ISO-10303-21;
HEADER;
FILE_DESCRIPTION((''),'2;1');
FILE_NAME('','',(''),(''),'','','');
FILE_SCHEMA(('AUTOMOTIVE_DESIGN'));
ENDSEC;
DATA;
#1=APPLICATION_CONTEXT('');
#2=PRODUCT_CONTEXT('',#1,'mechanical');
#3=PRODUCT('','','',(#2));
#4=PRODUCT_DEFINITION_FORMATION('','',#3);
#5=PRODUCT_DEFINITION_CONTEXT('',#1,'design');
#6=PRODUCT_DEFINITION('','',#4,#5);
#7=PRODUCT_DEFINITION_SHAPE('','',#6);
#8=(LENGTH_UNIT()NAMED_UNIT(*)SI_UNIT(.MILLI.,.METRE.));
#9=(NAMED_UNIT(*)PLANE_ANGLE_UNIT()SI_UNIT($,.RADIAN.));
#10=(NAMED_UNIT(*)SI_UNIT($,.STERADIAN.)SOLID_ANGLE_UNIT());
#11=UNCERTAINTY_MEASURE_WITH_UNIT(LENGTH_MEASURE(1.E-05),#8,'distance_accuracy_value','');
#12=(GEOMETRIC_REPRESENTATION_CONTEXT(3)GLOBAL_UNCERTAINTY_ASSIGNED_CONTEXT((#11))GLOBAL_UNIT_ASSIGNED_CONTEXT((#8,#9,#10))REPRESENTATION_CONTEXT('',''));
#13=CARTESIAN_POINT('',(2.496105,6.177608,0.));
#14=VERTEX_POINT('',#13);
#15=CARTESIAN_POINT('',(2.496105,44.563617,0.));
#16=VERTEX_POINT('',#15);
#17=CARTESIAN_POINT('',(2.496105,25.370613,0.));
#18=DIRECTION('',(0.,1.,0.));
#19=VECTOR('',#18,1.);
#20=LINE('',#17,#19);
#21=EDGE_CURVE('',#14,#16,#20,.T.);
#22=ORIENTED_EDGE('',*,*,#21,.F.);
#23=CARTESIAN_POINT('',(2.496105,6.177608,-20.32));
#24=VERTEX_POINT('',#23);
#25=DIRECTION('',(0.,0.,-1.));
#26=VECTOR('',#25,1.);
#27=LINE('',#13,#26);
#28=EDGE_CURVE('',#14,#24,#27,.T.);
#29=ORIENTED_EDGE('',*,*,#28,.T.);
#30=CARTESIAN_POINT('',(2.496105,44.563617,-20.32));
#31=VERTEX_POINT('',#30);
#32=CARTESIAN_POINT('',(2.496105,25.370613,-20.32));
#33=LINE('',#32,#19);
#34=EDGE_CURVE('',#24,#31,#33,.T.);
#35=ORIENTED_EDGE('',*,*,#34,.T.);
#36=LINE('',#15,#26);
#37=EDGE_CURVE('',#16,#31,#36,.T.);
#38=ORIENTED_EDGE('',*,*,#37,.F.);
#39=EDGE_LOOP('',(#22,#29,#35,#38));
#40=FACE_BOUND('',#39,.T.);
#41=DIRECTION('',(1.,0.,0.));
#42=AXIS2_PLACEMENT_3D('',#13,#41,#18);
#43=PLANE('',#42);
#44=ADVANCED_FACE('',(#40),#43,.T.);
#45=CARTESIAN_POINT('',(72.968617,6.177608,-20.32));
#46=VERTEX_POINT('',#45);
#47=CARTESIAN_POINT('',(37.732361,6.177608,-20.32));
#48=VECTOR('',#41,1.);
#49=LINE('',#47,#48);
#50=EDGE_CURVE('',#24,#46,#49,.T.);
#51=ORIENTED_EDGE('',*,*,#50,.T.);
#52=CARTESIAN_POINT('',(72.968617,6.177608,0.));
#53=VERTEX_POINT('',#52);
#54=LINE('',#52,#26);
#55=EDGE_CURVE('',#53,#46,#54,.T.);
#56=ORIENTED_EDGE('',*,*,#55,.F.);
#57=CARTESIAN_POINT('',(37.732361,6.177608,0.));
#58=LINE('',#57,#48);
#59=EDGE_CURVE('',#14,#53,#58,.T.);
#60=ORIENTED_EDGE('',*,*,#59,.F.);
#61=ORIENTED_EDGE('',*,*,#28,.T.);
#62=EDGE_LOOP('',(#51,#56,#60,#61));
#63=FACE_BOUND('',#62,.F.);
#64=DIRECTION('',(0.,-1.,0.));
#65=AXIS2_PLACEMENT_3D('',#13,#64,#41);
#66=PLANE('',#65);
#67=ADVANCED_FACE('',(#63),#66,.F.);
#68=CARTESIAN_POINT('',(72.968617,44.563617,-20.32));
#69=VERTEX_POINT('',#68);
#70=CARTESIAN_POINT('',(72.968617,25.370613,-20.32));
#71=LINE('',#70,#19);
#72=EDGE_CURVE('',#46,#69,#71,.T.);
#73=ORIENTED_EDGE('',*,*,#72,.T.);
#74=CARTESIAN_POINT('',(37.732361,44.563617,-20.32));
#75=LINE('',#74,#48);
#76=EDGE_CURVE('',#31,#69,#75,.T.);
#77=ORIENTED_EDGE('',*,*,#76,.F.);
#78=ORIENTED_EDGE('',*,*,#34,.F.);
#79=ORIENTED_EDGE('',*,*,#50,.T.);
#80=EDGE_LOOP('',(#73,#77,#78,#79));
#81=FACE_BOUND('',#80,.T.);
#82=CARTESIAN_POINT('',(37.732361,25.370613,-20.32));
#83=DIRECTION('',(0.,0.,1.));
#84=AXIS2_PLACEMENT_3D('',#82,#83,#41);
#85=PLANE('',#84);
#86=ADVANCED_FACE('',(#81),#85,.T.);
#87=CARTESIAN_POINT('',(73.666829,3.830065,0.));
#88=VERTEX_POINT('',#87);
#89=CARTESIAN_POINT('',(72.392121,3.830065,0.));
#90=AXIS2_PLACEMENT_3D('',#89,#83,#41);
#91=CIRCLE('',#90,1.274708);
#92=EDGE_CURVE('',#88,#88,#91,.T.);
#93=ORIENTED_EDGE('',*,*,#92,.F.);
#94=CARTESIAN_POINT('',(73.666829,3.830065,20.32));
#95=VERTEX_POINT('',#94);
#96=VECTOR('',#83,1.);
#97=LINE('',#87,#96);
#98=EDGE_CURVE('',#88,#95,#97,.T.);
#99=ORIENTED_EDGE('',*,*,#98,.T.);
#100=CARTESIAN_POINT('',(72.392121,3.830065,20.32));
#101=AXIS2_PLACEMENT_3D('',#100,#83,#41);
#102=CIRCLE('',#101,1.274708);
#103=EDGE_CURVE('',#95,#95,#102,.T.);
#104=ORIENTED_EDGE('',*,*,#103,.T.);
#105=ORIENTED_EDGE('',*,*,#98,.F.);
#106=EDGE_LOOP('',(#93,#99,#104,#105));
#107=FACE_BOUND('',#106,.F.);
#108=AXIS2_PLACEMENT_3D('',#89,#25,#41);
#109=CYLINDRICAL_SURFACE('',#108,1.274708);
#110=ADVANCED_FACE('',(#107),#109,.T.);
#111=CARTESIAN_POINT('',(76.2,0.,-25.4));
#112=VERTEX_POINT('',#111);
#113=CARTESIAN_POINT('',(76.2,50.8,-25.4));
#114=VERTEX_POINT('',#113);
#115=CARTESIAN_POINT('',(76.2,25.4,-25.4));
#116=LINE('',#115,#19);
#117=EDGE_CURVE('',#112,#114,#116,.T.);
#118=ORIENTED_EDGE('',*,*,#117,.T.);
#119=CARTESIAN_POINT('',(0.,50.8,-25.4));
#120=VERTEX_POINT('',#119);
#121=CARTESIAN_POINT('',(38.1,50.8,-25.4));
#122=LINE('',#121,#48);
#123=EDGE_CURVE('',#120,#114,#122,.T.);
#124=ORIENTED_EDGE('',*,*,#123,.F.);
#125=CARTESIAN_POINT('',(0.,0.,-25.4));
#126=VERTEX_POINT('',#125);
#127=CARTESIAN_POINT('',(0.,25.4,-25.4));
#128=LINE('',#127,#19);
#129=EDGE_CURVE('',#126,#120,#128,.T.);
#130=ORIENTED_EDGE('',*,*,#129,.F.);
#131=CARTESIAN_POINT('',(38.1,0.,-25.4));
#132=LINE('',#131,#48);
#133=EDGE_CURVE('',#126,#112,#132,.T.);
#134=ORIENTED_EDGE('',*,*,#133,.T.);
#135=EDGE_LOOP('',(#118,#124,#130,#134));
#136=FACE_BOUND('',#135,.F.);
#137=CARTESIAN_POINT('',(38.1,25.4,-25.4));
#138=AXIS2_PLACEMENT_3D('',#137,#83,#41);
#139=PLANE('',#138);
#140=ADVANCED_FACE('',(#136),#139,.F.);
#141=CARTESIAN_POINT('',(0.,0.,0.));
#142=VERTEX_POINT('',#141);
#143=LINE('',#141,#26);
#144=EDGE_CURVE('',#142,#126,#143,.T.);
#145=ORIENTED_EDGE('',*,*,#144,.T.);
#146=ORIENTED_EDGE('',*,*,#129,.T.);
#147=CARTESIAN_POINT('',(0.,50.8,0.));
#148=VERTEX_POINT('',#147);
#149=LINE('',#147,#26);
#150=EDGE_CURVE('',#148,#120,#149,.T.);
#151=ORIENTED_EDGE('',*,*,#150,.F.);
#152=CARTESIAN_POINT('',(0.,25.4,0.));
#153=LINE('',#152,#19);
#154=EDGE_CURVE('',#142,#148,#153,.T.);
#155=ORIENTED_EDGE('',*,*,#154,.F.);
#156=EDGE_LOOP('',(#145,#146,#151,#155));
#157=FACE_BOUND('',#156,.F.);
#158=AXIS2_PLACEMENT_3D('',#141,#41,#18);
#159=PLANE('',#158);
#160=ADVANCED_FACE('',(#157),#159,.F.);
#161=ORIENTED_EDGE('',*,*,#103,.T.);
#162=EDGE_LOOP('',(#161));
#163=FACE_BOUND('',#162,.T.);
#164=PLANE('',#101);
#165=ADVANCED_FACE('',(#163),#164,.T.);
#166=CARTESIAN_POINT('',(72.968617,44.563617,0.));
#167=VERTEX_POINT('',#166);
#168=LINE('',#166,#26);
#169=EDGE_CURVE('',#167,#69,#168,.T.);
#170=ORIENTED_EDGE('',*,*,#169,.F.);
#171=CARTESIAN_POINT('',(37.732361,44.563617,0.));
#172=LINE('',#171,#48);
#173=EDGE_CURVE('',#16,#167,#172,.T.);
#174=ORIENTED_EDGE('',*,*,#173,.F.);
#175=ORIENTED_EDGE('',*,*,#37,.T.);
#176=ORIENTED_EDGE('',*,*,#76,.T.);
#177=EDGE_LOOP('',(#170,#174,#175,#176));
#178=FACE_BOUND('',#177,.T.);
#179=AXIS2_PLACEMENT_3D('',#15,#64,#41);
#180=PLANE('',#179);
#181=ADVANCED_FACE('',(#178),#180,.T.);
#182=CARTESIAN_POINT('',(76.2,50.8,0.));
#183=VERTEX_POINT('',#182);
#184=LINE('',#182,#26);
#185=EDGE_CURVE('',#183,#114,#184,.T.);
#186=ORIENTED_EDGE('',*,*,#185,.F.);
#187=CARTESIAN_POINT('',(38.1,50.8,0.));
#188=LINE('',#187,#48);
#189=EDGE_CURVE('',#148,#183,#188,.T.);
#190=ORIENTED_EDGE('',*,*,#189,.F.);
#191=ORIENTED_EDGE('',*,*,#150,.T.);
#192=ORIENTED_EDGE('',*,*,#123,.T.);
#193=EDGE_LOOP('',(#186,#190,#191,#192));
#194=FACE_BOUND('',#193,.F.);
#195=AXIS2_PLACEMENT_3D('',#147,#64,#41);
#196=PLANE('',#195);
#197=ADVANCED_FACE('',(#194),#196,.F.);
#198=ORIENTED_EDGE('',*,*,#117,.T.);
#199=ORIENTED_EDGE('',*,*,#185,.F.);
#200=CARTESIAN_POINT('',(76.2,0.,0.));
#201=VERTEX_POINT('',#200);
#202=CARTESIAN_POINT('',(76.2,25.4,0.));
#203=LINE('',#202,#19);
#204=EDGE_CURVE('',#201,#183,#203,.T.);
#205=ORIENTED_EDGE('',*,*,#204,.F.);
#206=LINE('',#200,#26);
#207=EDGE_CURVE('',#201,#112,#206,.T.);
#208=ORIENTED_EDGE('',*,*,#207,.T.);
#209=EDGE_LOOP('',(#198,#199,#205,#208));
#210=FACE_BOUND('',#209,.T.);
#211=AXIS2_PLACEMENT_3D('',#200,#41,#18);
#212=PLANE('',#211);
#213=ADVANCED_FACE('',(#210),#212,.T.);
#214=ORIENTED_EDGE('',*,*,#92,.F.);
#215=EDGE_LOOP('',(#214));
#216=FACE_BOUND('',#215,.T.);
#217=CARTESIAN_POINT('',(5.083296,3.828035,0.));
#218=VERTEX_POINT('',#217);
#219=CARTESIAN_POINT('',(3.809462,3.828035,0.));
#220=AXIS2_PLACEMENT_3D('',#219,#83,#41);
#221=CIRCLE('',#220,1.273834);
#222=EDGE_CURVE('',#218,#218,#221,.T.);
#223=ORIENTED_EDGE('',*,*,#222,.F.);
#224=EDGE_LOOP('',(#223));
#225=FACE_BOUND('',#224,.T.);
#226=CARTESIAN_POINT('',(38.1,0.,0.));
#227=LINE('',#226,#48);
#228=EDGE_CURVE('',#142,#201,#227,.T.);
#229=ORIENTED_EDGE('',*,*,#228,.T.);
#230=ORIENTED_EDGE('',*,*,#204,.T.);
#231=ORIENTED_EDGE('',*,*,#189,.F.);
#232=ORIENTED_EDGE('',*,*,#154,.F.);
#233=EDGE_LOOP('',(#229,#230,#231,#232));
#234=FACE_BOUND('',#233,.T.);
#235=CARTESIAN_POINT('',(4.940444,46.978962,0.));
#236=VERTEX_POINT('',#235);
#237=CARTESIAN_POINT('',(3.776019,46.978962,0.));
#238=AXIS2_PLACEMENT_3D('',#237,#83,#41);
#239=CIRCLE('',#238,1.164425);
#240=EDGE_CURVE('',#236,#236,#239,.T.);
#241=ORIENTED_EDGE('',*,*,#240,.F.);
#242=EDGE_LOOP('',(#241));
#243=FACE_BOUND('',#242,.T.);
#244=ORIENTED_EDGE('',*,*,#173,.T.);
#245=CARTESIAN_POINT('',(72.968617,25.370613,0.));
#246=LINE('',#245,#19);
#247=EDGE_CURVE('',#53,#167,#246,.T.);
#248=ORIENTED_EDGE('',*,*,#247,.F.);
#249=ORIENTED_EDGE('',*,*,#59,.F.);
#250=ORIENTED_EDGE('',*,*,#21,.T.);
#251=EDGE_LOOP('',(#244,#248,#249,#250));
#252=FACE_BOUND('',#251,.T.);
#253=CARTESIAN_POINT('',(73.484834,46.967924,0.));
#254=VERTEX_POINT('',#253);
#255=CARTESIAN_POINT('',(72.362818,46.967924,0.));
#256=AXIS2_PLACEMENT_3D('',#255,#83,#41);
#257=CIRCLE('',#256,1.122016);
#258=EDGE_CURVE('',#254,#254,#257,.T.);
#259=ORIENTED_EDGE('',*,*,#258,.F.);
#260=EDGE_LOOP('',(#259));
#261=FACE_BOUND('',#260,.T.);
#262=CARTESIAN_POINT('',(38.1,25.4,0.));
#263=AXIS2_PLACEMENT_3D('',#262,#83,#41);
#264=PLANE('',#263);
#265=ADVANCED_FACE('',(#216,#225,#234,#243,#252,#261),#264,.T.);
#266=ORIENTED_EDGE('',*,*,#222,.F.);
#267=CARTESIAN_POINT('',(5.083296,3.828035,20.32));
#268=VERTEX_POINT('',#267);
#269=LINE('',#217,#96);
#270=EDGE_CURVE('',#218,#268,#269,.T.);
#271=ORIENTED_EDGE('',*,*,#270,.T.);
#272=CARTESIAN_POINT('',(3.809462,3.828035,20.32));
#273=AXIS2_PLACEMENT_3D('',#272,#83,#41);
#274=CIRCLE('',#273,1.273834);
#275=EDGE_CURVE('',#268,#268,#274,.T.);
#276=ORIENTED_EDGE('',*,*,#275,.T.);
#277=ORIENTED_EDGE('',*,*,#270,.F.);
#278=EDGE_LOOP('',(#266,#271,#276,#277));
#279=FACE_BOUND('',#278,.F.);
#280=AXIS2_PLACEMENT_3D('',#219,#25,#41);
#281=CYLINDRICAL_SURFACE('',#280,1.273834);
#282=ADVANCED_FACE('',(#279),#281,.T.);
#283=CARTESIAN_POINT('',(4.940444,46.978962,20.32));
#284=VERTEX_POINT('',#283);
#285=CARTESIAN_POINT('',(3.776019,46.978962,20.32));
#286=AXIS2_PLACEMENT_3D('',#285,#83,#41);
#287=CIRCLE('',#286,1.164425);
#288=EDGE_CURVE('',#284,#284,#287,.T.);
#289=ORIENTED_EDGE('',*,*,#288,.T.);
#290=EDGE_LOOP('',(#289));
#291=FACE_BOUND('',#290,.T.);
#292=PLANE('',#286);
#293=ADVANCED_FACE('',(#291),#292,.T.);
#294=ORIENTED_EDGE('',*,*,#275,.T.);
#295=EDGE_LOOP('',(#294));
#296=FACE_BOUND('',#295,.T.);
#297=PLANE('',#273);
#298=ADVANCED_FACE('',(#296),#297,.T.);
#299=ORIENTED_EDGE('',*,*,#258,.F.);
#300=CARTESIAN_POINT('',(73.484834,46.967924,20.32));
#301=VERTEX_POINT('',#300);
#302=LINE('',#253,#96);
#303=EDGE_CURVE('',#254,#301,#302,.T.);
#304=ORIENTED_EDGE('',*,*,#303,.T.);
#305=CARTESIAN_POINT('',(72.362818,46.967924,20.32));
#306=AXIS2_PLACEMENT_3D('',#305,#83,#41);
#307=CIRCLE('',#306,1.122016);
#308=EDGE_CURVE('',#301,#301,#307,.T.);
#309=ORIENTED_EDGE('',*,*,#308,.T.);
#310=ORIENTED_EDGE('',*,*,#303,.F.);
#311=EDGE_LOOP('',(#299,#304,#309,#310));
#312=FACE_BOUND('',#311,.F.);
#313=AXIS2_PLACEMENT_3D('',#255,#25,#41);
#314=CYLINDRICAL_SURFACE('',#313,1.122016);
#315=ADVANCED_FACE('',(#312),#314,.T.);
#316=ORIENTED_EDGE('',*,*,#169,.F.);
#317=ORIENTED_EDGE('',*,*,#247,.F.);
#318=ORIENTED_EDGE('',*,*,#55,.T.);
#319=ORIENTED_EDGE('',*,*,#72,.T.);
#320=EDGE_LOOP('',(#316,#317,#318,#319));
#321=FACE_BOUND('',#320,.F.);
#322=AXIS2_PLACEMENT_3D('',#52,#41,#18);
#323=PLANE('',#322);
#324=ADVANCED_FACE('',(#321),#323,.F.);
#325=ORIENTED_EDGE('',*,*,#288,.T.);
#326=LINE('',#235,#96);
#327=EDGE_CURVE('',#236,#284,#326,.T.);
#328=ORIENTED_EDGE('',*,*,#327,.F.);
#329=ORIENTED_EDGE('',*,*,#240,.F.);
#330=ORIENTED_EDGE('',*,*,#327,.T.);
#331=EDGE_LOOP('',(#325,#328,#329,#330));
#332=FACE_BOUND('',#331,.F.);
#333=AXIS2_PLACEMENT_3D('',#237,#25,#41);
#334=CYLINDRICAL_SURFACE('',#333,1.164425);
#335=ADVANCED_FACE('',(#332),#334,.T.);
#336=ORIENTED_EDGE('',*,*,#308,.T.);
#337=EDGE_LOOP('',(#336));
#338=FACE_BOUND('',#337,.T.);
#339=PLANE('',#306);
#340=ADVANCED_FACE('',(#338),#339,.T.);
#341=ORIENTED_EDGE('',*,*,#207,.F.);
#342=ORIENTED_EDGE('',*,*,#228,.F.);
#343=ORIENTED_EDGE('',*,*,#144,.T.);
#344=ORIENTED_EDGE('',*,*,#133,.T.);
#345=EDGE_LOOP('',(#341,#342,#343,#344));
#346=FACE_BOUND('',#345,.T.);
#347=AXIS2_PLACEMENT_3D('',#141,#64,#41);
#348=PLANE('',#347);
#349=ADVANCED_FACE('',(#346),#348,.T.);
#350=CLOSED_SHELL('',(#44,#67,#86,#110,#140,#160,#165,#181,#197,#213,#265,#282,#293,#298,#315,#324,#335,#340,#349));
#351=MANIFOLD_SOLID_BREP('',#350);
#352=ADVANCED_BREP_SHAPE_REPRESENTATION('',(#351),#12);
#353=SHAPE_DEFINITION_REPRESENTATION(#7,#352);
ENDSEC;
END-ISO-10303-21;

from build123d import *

# Parameters (mm, degrees)
F0_W     = 76.2
F0_H     = 50.8
F1_DEPTH = 25.4
F2_W     = 70.472512
F2_H     = 38.386009
F3_DEPTH = 20.32
F4_R     = 1.164425
F4_R_2   = 1.122016
F4_R_3   = 1.274708
F4_R_4   = 1.273834
F5_DEPTH = 20.32


with BuildPart() as f1:
    # F0 (on Top) → F1 (new body)
    with BuildSketch(Plane.XY):
        with Locations((38.1, 25.4)):
            Rectangle(F0_W, F0_H)
    extrude(amount=-F1_DEPTH)

    # F2 (on Top) → F3 (cut)
    with BuildSketch(Plane.XY):
        with Locations((37.732361, 25.370613)):
            Rectangle(F2_W, F2_H)
    extrude(amount=-F3_DEPTH, mode=Mode.SUBTRACT)

    # F4 (on Top) → F5 (join)
    with BuildSketch(Plane.XY):
        with Locations((3.776019, 46.978962)):
            Circle(F4_R)
        with Locations((72.362818, 46.967924)):
            Circle(F4_R_2)
        with Locations((72.392121, 3.830065)):
            Circle(F4_R_3)
        with Locations((3.809462, 3.828035)):
            Circle(F4_R_4)
    extrude(amount=F5_DEPTH)


solid = f1.part
